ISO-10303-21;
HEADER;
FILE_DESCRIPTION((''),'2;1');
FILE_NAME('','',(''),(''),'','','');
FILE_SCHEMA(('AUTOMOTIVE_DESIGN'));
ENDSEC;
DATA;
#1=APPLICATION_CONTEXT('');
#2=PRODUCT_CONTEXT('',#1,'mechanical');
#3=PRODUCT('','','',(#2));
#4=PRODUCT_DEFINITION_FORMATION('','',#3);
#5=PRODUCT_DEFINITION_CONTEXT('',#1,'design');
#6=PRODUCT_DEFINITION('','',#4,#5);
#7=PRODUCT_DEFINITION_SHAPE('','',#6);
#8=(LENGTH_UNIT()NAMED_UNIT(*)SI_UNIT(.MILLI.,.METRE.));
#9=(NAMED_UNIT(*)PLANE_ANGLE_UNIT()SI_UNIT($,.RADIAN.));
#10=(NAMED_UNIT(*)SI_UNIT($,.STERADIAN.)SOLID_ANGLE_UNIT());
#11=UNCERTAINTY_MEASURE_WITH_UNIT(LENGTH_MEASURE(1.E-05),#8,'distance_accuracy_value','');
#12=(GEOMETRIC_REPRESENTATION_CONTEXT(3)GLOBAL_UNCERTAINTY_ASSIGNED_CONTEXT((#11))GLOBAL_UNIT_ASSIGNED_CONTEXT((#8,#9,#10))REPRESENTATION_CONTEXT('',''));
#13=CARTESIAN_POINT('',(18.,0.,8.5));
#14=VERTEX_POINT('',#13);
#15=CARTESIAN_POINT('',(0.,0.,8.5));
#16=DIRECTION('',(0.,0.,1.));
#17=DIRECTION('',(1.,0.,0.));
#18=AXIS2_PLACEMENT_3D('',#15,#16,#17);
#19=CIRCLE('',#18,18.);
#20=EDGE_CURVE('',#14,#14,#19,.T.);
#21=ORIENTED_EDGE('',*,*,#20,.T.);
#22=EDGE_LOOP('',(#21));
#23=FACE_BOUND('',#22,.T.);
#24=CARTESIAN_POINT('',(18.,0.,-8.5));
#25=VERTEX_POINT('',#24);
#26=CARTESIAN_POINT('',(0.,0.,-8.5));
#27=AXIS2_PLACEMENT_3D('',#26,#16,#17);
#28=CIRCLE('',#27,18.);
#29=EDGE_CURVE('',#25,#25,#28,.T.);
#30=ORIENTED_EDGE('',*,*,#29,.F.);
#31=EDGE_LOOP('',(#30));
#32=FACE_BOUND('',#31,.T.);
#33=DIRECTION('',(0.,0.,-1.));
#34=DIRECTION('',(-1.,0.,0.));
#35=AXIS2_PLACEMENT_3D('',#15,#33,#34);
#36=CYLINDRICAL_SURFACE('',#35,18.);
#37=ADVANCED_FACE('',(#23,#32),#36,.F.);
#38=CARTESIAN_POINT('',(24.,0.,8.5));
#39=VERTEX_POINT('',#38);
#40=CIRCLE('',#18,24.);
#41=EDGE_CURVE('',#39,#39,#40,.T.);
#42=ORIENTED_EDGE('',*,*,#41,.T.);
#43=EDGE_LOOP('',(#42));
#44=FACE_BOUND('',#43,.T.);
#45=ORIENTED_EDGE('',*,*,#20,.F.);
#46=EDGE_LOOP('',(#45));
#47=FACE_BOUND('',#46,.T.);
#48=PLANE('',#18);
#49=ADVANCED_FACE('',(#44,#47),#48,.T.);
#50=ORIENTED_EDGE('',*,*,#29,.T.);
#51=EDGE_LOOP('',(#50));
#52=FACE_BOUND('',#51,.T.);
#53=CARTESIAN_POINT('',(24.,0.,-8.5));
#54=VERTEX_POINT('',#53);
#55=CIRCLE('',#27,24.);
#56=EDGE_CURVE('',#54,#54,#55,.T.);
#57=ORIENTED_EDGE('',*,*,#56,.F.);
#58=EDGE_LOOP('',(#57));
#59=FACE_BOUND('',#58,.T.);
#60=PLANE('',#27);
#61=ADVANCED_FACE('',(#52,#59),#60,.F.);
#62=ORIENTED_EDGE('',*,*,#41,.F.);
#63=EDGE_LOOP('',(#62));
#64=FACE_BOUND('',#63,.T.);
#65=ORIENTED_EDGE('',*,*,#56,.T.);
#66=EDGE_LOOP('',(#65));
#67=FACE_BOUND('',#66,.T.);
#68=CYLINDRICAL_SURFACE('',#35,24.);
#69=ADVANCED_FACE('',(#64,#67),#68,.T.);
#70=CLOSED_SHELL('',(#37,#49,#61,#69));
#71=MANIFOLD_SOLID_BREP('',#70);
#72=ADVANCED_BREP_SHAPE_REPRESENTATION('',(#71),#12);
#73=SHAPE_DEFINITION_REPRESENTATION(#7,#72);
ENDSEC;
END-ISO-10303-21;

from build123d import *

# Parameters (mm, degrees)
SKETCH1_R      = 24
SKETCH1_R_2    = 18
EXTRUDE1_DEPTH = 8.5


with BuildPart() as part:
    # Sketch1 → Extrude1 (new, symmetric)
    with BuildSketch(Plane.XY):
        Circle(SKETCH1_R)
        Circle(SKETCH1_R_2, mode=Mode.SUBTRACT)
    extrude(amount=EXTRUDE1_DEPTH, both=True)


solid = part.part
